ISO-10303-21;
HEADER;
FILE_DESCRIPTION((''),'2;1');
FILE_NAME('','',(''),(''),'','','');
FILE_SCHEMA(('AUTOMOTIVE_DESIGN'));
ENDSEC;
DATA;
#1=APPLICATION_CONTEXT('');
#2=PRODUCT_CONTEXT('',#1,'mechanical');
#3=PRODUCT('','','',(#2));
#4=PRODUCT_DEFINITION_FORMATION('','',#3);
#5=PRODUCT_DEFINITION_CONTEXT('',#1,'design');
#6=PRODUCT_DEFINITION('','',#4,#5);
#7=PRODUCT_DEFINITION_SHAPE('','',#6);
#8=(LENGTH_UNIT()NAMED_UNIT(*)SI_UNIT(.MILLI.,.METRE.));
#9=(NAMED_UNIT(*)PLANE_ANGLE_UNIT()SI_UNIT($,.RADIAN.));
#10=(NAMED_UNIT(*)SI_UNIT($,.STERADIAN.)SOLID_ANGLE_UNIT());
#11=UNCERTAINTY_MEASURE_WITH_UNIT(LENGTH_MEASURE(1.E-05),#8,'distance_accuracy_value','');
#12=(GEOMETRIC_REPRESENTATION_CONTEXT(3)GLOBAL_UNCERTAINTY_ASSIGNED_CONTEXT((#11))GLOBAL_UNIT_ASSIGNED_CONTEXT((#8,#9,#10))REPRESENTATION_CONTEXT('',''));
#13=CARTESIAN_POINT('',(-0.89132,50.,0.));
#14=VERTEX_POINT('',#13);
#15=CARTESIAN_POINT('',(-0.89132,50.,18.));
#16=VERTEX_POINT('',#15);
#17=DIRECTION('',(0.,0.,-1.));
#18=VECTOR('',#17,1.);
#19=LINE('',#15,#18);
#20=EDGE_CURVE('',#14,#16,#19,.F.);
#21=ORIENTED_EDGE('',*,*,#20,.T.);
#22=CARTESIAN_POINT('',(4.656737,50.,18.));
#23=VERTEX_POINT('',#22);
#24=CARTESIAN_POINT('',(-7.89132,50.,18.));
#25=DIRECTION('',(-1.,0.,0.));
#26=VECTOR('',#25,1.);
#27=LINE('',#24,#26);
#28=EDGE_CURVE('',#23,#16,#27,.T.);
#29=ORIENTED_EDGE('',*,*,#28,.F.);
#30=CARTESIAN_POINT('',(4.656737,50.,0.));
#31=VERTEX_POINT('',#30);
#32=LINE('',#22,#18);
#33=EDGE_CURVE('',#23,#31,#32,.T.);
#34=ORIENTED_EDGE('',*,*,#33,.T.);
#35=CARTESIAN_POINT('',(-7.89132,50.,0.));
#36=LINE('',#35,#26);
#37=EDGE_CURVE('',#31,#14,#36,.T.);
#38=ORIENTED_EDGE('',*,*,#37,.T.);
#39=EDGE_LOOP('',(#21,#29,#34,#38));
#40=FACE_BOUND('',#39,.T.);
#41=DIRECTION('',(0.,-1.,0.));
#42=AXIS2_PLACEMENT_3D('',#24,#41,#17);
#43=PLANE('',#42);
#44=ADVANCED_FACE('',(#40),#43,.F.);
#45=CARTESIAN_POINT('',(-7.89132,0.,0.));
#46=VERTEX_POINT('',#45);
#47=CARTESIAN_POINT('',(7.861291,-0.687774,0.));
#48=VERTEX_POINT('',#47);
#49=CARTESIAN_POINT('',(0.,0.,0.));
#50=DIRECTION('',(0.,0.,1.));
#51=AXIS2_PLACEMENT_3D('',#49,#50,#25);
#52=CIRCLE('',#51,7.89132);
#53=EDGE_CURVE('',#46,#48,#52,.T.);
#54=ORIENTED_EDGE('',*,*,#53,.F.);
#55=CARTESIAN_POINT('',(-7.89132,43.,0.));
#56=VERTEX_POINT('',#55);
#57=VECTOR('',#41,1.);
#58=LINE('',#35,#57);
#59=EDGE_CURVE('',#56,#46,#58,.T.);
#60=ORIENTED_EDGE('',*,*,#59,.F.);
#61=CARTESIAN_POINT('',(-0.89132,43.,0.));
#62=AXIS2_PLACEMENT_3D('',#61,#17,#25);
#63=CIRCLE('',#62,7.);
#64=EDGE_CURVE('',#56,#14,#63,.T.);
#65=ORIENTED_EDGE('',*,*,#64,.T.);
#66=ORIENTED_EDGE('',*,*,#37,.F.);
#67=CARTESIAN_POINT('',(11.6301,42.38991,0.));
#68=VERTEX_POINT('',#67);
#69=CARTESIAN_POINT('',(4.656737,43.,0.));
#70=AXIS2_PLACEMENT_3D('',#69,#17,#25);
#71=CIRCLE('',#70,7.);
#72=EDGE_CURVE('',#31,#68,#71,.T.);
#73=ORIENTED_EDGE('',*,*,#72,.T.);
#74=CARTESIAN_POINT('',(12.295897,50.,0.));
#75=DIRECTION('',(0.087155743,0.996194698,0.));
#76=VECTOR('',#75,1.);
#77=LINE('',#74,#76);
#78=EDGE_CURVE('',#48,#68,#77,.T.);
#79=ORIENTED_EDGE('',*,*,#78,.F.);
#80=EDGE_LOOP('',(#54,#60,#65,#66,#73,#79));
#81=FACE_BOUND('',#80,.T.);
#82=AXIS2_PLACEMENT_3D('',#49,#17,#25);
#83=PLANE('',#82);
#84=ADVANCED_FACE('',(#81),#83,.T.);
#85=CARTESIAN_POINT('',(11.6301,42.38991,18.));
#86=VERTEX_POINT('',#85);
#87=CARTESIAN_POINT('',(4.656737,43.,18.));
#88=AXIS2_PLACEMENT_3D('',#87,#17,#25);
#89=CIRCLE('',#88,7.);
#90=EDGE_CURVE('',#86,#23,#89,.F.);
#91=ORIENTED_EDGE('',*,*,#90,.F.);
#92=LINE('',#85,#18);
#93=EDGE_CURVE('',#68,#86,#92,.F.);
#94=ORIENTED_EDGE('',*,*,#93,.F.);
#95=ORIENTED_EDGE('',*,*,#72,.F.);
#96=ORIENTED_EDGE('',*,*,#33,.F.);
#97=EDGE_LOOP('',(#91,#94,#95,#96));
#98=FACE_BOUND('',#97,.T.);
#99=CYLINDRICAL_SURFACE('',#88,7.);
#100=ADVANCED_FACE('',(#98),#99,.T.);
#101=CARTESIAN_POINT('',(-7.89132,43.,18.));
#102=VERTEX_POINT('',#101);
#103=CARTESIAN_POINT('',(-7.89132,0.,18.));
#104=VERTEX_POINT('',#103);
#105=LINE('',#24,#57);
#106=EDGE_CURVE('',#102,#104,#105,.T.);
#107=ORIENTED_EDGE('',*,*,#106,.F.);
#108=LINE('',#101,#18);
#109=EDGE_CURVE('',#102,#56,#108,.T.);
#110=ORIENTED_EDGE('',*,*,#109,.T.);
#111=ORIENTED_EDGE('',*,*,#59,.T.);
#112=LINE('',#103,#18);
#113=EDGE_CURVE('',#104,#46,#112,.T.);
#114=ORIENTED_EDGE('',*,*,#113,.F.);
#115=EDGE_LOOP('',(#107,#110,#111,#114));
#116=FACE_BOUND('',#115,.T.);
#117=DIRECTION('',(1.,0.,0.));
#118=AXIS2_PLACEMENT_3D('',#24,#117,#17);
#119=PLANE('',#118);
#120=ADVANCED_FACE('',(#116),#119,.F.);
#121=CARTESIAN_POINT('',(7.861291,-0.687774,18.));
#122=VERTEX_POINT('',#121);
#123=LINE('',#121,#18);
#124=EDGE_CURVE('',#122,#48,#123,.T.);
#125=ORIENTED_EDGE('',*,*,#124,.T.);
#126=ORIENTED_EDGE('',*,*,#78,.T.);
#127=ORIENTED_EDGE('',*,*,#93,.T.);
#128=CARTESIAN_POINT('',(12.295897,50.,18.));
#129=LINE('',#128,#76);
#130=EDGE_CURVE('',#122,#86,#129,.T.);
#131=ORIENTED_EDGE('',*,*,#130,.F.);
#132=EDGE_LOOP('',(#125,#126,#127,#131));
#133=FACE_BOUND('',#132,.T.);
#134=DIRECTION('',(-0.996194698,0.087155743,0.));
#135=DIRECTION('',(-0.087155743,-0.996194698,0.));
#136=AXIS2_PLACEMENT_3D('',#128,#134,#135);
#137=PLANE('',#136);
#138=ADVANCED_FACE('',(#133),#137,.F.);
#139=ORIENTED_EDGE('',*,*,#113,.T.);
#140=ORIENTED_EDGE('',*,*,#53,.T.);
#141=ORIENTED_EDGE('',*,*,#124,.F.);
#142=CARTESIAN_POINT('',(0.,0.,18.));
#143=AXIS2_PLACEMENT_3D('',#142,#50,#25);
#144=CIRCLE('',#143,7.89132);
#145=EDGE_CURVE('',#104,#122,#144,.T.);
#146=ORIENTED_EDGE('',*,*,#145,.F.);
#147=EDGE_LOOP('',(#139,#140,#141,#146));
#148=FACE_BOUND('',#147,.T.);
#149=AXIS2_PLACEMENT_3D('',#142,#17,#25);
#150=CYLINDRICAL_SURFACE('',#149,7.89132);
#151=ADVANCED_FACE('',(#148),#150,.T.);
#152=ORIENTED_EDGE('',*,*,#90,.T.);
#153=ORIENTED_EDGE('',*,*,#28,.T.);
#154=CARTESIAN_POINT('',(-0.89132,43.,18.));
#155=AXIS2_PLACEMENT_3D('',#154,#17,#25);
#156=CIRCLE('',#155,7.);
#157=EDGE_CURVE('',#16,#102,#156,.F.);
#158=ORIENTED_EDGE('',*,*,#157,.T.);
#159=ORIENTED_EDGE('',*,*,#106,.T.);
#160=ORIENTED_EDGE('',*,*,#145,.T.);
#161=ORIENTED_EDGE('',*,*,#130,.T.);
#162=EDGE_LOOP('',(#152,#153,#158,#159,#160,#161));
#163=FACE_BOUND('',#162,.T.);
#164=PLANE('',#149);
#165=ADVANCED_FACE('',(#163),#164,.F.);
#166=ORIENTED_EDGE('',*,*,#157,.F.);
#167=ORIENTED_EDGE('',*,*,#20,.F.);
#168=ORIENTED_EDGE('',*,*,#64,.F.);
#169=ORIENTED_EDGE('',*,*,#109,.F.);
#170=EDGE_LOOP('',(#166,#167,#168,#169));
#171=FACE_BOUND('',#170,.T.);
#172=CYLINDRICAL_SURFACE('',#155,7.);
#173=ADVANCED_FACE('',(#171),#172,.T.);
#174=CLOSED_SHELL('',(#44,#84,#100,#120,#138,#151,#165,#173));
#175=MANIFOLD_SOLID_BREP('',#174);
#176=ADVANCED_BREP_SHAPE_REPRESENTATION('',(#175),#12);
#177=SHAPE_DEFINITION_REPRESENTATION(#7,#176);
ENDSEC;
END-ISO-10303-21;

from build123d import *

# Parameters (mm, degrees)
BOSS_EXTRU_1_DEPTH = 18
CONG_1_R           = 7


with BuildPart() as part:
    # Esquisse2 → Boss.-Extru.1 (new body)
    with BuildSketch(Plane.XY):
        with BuildLine():
            Line((-7.891319926, 50), (12.295896662, 50))
            Line((12.295896662, 50), (7.861291071, -0.687773849))
            ThreePointArc((7.861291071, -0.687773849), (-0.344214541, -7.883809138), (-7.891319926, 0))
            Line((-7.891319926, 0), (-7.891319926, 50))
        make_face()
    extrude(amount=BOSS_EXTRU_1_DEPTH)

    # Congé1
    cong_1_edges = [part.edges().sort_by_distance(p)[0] for p in [
        (-7.891319926, 50, 9),
        (12.295896662, 50, 9),
    ]]
    fillet(cong_1_edges, radius=CONG_1_R)


solid = part.part
